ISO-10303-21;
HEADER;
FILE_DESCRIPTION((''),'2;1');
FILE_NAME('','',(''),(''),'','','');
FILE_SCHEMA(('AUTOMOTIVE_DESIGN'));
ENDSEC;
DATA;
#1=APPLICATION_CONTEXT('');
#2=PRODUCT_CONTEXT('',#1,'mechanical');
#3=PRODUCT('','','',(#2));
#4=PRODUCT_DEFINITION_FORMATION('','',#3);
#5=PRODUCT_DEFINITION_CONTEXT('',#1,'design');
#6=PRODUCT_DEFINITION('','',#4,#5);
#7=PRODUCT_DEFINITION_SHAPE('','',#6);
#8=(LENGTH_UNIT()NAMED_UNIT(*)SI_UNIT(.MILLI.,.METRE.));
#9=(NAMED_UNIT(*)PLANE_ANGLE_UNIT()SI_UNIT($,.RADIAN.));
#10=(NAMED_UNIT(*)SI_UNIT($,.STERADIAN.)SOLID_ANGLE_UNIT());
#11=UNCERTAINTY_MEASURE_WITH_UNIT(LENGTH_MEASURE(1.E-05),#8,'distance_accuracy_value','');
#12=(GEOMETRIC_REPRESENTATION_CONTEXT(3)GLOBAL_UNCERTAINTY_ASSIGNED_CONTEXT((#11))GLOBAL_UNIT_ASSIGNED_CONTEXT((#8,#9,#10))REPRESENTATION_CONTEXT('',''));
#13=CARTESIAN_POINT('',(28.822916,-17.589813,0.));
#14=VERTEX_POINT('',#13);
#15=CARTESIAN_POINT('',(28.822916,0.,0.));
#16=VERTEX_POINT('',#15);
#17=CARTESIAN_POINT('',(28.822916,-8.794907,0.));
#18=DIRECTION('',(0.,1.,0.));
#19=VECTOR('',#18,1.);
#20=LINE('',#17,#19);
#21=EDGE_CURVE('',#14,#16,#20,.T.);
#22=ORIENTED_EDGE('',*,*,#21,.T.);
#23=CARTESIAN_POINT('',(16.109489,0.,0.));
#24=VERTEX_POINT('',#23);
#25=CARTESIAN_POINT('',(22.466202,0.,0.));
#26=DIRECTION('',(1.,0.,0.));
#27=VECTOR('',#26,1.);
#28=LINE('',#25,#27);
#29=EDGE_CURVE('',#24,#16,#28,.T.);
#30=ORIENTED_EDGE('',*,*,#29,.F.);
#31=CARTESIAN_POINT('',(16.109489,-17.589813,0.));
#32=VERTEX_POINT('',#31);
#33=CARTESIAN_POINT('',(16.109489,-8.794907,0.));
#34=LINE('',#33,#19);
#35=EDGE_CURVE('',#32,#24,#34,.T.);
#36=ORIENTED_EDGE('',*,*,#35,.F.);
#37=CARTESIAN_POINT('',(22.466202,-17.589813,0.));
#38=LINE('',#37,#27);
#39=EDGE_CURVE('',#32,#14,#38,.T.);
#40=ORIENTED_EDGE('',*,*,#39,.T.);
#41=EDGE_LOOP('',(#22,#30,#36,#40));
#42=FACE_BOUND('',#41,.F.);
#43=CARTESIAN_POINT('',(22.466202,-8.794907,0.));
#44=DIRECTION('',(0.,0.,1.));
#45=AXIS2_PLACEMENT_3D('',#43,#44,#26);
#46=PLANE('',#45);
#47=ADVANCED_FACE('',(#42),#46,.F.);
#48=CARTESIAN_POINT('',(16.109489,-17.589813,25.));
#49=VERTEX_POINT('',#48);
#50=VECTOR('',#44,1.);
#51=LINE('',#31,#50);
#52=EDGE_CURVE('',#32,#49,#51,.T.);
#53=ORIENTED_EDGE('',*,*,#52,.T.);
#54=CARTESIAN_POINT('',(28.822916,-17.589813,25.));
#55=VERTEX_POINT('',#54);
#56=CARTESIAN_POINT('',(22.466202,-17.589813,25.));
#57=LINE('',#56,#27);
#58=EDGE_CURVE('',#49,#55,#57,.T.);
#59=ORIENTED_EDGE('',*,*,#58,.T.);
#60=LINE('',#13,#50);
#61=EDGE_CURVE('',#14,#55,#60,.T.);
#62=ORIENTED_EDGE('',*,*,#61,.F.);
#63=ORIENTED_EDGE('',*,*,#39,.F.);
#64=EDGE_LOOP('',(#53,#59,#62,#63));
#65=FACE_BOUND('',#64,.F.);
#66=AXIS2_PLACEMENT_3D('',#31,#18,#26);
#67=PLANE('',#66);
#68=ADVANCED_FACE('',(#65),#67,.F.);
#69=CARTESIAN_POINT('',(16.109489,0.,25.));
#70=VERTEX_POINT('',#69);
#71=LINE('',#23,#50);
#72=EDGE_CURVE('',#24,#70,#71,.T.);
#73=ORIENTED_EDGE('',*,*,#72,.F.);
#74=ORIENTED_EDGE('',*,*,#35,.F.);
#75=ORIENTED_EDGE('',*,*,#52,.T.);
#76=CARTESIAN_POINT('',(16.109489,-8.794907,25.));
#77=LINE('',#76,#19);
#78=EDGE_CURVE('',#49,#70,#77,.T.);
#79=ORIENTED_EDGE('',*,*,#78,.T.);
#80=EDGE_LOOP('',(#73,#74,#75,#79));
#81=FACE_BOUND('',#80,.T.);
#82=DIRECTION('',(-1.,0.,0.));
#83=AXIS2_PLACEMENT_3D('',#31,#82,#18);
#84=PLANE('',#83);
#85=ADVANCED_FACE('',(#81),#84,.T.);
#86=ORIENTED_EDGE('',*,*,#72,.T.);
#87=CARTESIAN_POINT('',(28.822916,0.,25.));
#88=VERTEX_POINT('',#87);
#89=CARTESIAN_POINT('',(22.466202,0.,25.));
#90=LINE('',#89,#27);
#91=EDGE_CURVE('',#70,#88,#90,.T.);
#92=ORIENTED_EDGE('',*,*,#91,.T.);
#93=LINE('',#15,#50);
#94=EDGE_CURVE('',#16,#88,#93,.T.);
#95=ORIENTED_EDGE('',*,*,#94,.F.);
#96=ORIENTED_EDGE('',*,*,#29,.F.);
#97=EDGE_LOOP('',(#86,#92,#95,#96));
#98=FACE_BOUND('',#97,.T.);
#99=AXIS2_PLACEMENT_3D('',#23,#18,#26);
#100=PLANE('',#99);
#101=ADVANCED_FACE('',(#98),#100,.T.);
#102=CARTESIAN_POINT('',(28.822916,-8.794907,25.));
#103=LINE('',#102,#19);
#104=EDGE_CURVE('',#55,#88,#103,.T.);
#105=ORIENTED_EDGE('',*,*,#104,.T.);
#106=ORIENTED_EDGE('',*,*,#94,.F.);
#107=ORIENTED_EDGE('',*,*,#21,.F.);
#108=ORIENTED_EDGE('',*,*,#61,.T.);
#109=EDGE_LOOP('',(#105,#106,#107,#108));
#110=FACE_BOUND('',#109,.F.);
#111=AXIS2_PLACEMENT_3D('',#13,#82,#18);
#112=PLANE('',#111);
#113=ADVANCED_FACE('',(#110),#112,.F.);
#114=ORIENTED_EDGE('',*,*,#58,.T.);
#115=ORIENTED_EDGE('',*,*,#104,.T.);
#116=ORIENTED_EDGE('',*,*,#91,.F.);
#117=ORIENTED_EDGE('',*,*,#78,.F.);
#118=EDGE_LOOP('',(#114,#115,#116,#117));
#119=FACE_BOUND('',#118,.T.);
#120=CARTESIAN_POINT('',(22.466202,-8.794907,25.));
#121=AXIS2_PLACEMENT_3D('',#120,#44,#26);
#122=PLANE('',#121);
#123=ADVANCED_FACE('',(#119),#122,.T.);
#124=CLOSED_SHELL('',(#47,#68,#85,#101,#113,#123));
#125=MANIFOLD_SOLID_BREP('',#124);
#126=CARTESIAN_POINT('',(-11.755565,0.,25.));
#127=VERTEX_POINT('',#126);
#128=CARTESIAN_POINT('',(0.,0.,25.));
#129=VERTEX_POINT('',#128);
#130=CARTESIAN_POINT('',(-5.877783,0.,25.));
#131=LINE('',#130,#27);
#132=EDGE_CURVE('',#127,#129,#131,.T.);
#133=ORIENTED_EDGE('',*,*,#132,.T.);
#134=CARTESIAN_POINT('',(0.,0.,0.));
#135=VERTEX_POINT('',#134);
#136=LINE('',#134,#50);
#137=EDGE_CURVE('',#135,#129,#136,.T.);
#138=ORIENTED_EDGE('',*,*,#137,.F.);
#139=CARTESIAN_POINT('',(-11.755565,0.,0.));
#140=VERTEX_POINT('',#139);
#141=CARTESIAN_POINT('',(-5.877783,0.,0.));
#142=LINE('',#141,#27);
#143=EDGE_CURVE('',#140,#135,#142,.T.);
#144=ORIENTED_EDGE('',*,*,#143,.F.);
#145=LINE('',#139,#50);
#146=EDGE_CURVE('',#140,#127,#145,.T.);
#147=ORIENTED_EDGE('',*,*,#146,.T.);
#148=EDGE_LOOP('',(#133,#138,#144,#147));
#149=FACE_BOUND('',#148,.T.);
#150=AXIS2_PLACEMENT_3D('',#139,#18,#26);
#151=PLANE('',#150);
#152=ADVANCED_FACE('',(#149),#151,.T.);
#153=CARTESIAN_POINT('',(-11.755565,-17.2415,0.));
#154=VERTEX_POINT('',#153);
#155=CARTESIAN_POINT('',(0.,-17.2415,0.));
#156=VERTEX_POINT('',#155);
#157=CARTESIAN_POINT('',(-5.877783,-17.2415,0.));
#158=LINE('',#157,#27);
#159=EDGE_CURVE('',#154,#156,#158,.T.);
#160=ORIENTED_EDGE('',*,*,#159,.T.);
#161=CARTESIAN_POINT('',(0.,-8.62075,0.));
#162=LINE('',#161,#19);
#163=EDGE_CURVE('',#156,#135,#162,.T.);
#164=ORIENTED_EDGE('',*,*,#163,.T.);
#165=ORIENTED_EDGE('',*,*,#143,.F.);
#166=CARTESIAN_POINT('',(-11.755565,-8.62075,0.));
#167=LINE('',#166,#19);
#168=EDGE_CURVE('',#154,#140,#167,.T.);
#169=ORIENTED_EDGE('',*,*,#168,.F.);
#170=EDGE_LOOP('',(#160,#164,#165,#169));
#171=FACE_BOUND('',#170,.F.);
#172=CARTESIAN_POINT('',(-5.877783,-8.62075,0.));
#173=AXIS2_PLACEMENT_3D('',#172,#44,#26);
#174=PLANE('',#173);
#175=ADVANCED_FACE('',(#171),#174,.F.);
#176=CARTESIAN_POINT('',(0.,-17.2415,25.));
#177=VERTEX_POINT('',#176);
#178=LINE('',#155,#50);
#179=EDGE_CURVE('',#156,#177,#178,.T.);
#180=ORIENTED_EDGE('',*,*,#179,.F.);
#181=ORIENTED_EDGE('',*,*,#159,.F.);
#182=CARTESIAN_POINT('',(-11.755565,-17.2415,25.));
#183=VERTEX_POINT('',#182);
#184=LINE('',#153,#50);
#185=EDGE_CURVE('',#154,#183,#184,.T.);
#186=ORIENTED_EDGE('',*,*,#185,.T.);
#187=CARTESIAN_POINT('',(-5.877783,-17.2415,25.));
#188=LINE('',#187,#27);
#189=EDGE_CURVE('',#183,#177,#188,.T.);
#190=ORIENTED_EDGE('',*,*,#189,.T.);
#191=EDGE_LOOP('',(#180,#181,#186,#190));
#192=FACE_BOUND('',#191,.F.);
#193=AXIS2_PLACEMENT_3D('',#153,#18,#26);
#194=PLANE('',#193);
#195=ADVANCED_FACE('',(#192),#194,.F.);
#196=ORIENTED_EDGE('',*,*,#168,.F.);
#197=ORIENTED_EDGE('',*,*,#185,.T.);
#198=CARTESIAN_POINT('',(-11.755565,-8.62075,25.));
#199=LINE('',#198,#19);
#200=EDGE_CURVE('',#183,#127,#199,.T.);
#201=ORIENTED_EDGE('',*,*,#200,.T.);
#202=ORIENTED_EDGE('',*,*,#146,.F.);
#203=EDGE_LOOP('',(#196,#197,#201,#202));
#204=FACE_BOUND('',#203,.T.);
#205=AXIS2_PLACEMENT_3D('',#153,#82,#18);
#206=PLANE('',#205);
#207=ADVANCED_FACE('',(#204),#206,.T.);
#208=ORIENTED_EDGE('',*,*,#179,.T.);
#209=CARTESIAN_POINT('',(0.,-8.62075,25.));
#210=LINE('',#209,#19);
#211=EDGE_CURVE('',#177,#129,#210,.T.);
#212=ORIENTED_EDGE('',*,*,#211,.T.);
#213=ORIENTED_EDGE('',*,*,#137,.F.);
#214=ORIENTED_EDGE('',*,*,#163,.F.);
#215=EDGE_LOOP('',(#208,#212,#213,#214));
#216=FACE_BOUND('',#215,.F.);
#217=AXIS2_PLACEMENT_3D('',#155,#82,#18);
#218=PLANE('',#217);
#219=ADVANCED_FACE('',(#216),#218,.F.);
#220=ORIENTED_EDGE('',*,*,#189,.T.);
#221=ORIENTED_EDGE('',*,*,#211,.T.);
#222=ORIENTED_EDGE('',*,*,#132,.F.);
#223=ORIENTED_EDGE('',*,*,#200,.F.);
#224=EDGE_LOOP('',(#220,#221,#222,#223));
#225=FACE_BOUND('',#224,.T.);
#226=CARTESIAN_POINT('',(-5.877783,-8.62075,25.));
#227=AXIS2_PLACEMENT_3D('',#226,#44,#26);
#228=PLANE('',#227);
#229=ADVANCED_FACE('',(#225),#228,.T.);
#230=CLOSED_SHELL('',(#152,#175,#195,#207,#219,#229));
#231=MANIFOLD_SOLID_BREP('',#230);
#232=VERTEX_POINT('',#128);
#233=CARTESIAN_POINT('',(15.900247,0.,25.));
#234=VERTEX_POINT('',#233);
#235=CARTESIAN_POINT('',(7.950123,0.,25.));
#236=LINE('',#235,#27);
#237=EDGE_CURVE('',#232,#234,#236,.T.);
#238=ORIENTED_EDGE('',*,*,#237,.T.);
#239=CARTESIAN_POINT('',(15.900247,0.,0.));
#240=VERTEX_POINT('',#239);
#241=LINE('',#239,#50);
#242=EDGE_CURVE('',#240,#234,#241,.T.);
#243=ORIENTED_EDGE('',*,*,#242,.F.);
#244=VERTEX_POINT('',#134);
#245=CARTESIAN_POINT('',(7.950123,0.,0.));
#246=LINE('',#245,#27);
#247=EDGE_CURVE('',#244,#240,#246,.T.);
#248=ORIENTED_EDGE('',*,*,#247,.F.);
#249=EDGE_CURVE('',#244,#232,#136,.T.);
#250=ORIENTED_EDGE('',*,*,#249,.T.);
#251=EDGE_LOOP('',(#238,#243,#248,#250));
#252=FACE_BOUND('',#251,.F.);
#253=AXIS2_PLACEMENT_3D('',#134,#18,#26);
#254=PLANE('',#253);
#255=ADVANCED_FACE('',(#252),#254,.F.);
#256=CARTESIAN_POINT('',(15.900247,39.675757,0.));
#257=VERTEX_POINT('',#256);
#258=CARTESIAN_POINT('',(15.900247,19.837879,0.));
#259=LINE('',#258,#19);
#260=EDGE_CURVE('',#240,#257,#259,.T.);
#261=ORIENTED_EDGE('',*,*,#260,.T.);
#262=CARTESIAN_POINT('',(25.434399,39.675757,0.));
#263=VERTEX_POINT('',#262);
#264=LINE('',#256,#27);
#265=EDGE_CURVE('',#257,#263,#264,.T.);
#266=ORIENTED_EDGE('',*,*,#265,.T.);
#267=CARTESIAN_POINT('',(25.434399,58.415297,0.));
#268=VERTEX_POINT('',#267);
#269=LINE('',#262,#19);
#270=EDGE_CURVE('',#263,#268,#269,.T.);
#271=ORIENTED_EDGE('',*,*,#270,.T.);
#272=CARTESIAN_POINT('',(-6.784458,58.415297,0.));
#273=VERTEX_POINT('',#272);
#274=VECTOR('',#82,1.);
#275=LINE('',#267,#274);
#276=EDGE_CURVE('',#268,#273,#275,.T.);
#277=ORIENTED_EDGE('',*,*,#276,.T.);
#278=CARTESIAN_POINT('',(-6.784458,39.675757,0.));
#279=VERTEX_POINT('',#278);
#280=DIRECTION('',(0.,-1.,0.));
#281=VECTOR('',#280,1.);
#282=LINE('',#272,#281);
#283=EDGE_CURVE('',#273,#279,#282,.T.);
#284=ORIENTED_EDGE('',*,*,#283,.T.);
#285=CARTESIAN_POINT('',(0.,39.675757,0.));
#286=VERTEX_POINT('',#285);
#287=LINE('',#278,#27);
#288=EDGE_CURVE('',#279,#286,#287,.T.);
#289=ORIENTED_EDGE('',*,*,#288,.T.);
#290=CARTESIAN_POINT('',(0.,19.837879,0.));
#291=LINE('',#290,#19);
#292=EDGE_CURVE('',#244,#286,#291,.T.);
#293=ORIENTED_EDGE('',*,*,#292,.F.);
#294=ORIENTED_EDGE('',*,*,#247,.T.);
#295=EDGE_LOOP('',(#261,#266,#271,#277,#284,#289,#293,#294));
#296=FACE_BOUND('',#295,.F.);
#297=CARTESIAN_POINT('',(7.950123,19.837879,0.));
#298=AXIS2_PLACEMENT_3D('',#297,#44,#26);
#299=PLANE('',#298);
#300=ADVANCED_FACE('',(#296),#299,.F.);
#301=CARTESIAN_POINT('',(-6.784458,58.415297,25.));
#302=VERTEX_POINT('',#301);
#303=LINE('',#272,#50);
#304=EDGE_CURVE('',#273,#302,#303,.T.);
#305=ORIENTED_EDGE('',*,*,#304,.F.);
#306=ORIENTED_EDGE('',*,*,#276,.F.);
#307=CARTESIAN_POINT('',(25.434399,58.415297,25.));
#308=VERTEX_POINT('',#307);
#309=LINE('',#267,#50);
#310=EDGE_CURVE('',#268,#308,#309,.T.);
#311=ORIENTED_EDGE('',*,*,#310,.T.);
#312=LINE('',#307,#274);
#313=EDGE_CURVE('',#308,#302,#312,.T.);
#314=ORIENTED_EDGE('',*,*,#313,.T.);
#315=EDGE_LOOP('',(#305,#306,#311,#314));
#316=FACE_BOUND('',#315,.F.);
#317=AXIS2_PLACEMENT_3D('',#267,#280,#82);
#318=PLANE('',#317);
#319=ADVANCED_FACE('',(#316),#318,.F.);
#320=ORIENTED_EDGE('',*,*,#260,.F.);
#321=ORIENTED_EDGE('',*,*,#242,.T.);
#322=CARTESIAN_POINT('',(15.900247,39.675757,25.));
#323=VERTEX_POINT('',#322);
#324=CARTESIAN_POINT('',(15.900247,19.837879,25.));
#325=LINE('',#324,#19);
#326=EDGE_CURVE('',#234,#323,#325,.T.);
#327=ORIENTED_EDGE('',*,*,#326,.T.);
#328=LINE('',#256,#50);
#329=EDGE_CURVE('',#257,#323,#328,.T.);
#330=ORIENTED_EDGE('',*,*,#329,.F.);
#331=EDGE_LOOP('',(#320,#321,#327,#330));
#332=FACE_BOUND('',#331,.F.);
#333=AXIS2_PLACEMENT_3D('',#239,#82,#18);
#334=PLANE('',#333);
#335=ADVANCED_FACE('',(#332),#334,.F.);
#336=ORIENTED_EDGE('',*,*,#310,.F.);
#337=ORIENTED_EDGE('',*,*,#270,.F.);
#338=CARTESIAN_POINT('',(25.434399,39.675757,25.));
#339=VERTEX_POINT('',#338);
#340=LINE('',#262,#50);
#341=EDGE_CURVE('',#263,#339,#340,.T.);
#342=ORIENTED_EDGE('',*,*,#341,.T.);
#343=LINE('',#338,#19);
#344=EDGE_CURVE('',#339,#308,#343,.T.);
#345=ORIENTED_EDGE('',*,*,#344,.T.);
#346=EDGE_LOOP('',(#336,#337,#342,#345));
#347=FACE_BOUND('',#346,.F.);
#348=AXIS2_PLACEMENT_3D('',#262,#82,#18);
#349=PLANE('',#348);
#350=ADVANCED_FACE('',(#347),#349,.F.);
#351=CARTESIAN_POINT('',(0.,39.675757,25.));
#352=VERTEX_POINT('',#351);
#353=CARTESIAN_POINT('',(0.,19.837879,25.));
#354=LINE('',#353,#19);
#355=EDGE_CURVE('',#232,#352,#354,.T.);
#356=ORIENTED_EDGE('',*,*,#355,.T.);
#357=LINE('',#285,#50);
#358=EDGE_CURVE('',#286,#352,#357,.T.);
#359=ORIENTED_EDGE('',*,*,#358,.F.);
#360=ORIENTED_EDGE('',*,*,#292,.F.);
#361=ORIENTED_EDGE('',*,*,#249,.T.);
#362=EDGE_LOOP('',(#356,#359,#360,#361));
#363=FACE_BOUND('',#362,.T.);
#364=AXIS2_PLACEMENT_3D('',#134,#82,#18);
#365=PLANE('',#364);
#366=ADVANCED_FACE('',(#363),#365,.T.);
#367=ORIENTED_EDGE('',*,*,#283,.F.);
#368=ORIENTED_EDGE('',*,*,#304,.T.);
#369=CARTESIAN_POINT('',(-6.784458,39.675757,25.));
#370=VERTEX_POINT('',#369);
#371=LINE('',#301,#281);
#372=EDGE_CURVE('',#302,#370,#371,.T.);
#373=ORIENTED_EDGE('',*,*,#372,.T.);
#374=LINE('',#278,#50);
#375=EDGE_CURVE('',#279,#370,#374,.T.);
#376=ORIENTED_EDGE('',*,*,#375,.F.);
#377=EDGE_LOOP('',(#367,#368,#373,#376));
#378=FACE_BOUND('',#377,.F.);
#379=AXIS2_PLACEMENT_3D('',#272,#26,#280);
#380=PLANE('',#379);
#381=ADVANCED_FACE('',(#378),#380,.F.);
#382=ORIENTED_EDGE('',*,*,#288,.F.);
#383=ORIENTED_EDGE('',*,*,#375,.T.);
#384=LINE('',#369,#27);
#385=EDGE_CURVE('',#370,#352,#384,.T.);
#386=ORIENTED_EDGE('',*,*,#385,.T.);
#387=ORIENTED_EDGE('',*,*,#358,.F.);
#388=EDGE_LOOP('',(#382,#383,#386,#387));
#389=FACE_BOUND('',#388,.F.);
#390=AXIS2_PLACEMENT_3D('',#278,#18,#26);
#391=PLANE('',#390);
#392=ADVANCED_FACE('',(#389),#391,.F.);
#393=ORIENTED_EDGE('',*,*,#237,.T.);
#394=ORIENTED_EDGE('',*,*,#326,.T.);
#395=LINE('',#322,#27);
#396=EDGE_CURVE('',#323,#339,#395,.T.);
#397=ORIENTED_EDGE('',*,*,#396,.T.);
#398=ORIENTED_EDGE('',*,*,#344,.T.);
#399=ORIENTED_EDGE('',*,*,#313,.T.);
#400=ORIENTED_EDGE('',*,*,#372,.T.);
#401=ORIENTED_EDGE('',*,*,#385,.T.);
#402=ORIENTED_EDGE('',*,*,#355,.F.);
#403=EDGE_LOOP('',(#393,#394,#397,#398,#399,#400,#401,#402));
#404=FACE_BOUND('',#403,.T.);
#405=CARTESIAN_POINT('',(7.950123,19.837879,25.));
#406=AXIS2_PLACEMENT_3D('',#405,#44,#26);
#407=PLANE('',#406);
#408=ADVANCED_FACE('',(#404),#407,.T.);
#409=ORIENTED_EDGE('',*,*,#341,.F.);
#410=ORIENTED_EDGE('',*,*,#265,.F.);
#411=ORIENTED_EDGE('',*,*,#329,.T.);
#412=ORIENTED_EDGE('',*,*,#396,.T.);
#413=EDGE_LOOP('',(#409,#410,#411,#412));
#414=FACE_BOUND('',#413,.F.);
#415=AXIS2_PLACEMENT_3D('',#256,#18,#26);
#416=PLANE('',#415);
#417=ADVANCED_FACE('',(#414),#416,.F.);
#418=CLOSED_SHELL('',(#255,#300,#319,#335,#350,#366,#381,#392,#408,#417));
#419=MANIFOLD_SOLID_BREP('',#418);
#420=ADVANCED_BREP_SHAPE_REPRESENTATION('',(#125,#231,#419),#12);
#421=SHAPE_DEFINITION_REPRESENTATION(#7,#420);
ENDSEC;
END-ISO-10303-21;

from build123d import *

# Parameters (mm, degrees)
F0_W     = 11.7555651814
F0_H     = 17.2415003181
F1_DEPTH = 25
F0_W_2   = 15.900246799
F0_H_2   = 39.6757572889
F0_H_3   = 0.6575286388
F0_W_3   = 12.7134267241
F0_H_4   = 17.5898130983


with BuildPart() as f1:
    # F0 (on Top) → F1 (new body)
    with BuildSketch(Plane.XY):
        with Locations((-5.8777825907, -8.620750159)):
            Rectangle(F0_W, F0_H)
    extrude(amount=F1_DEPTH)


with BuildPart() as f1b:
    # F0 (on Top) → F1, piece 2 (new body)
    with BuildSketch(Plane.XY):
        with Locations((7.9501233995, 19.8378786445)):
            Rectangle(F0_W_2, F0_H_2)
        Polygon((-6.7844577134, 39.6757572889), (0, 39.6757572889), (0, 40.3332859278), (15.900246799, 40.3332859278), (15.900246799, 39.6757572889), (25.4343990237, 39.6757572889), (25.4343990237, 58.4152974188), (-6.7844577134, 58.4152974188), align=None)
        with Locations((7.9501233995, 40.0045216084)):
            Rectangle(F0_W_2, F0_H_3)
    extrude(amount=F1_DEPTH)


with BuildPart() as f1c:
    # F0 (on Top) → F1, piece 3 (new body)
    with BuildSketch(Plane.XY):
        with Locations((22.4662022665, -8.7949065492)):
            Rectangle(F0_W_3, F0_H_4)
    extrude(amount=F1_DEPTH)


solid = Compound([f1.part, f1b.part, f1c.part])
